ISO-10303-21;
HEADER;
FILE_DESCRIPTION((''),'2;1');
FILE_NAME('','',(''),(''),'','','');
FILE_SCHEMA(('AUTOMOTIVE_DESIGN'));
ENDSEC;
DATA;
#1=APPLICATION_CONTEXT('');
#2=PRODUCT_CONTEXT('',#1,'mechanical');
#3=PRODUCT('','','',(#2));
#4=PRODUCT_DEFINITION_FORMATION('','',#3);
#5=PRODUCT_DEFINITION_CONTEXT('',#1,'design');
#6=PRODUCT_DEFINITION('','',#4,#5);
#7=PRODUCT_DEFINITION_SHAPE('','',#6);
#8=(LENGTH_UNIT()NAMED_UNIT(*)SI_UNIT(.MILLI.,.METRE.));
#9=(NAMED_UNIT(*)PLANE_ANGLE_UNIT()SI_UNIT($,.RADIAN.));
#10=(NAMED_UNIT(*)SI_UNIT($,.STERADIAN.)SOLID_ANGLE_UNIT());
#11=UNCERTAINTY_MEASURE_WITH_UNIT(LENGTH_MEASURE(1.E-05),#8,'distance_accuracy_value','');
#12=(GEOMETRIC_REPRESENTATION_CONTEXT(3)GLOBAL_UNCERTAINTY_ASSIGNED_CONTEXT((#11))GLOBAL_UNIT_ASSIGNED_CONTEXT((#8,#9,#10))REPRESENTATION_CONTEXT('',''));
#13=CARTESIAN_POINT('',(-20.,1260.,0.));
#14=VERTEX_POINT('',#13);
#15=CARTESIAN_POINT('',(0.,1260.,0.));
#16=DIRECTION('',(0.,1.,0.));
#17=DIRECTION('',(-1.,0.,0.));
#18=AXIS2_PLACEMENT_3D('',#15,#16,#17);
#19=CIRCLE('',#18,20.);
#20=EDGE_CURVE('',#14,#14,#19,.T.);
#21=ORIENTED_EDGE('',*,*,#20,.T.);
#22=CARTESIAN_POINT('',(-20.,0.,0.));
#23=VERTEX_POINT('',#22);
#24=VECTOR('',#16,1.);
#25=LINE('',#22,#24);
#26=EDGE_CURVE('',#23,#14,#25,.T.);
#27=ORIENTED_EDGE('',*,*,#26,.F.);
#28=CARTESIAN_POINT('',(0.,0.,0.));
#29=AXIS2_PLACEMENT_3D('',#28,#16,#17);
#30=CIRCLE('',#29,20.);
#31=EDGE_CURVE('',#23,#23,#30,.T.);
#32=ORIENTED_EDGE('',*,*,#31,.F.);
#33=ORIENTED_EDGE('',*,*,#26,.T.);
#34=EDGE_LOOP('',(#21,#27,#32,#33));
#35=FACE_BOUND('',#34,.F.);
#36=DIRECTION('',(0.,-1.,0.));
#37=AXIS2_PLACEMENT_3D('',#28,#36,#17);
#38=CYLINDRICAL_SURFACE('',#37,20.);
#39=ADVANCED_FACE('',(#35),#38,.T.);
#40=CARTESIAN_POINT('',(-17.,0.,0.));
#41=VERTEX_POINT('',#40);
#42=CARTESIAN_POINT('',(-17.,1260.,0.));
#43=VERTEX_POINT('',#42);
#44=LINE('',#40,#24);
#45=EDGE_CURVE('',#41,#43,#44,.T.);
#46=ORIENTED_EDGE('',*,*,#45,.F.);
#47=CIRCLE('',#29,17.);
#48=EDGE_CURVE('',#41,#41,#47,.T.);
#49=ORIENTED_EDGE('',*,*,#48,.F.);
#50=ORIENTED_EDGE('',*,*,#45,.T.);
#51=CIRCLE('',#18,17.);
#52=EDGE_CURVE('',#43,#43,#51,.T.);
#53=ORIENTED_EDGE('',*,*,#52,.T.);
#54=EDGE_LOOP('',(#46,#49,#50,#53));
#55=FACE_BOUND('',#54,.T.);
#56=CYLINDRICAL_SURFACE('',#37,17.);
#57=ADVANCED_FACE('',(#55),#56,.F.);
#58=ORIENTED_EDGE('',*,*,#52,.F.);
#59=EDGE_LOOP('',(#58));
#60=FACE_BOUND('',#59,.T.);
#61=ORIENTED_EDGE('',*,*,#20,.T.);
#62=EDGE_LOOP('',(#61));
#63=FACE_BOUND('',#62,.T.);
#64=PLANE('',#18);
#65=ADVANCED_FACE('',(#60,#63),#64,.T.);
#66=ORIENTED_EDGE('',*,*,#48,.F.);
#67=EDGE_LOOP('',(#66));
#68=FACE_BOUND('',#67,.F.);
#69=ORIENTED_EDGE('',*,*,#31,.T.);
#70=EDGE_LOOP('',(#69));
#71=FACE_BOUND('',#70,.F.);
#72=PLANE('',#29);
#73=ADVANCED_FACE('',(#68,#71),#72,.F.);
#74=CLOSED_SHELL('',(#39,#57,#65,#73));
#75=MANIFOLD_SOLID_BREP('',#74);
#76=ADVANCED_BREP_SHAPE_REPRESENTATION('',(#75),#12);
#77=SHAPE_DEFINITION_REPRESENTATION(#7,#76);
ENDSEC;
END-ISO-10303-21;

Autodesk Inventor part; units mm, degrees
ref_plane "YZ Plane" through (0, 0, 0) normal (1, 0, 0) x (0, 1, 0)
ref_plane "XZ Plane" through (0, 0, 0) normal (0, 1, 0) x (-1, 0, 0)
ref_plane "XY Plane" through (0, 0, 0) normal (0, 0, 1) x (1, 0, 0)
sketch "Sketch1" plane through (0, 0, 0) normal (0, 1, 0) x (-1, 0, 0)
  circle A0 centre (0, 0) radius 20
  circle A1 centre (0, 0) radius 17
  dimension "d0" = 40
  dimension "d1" = 3
extrude "Extrusion1" add sketch "Sketch1" along normal blind 1260
properties part number "Aluminium_tube"
